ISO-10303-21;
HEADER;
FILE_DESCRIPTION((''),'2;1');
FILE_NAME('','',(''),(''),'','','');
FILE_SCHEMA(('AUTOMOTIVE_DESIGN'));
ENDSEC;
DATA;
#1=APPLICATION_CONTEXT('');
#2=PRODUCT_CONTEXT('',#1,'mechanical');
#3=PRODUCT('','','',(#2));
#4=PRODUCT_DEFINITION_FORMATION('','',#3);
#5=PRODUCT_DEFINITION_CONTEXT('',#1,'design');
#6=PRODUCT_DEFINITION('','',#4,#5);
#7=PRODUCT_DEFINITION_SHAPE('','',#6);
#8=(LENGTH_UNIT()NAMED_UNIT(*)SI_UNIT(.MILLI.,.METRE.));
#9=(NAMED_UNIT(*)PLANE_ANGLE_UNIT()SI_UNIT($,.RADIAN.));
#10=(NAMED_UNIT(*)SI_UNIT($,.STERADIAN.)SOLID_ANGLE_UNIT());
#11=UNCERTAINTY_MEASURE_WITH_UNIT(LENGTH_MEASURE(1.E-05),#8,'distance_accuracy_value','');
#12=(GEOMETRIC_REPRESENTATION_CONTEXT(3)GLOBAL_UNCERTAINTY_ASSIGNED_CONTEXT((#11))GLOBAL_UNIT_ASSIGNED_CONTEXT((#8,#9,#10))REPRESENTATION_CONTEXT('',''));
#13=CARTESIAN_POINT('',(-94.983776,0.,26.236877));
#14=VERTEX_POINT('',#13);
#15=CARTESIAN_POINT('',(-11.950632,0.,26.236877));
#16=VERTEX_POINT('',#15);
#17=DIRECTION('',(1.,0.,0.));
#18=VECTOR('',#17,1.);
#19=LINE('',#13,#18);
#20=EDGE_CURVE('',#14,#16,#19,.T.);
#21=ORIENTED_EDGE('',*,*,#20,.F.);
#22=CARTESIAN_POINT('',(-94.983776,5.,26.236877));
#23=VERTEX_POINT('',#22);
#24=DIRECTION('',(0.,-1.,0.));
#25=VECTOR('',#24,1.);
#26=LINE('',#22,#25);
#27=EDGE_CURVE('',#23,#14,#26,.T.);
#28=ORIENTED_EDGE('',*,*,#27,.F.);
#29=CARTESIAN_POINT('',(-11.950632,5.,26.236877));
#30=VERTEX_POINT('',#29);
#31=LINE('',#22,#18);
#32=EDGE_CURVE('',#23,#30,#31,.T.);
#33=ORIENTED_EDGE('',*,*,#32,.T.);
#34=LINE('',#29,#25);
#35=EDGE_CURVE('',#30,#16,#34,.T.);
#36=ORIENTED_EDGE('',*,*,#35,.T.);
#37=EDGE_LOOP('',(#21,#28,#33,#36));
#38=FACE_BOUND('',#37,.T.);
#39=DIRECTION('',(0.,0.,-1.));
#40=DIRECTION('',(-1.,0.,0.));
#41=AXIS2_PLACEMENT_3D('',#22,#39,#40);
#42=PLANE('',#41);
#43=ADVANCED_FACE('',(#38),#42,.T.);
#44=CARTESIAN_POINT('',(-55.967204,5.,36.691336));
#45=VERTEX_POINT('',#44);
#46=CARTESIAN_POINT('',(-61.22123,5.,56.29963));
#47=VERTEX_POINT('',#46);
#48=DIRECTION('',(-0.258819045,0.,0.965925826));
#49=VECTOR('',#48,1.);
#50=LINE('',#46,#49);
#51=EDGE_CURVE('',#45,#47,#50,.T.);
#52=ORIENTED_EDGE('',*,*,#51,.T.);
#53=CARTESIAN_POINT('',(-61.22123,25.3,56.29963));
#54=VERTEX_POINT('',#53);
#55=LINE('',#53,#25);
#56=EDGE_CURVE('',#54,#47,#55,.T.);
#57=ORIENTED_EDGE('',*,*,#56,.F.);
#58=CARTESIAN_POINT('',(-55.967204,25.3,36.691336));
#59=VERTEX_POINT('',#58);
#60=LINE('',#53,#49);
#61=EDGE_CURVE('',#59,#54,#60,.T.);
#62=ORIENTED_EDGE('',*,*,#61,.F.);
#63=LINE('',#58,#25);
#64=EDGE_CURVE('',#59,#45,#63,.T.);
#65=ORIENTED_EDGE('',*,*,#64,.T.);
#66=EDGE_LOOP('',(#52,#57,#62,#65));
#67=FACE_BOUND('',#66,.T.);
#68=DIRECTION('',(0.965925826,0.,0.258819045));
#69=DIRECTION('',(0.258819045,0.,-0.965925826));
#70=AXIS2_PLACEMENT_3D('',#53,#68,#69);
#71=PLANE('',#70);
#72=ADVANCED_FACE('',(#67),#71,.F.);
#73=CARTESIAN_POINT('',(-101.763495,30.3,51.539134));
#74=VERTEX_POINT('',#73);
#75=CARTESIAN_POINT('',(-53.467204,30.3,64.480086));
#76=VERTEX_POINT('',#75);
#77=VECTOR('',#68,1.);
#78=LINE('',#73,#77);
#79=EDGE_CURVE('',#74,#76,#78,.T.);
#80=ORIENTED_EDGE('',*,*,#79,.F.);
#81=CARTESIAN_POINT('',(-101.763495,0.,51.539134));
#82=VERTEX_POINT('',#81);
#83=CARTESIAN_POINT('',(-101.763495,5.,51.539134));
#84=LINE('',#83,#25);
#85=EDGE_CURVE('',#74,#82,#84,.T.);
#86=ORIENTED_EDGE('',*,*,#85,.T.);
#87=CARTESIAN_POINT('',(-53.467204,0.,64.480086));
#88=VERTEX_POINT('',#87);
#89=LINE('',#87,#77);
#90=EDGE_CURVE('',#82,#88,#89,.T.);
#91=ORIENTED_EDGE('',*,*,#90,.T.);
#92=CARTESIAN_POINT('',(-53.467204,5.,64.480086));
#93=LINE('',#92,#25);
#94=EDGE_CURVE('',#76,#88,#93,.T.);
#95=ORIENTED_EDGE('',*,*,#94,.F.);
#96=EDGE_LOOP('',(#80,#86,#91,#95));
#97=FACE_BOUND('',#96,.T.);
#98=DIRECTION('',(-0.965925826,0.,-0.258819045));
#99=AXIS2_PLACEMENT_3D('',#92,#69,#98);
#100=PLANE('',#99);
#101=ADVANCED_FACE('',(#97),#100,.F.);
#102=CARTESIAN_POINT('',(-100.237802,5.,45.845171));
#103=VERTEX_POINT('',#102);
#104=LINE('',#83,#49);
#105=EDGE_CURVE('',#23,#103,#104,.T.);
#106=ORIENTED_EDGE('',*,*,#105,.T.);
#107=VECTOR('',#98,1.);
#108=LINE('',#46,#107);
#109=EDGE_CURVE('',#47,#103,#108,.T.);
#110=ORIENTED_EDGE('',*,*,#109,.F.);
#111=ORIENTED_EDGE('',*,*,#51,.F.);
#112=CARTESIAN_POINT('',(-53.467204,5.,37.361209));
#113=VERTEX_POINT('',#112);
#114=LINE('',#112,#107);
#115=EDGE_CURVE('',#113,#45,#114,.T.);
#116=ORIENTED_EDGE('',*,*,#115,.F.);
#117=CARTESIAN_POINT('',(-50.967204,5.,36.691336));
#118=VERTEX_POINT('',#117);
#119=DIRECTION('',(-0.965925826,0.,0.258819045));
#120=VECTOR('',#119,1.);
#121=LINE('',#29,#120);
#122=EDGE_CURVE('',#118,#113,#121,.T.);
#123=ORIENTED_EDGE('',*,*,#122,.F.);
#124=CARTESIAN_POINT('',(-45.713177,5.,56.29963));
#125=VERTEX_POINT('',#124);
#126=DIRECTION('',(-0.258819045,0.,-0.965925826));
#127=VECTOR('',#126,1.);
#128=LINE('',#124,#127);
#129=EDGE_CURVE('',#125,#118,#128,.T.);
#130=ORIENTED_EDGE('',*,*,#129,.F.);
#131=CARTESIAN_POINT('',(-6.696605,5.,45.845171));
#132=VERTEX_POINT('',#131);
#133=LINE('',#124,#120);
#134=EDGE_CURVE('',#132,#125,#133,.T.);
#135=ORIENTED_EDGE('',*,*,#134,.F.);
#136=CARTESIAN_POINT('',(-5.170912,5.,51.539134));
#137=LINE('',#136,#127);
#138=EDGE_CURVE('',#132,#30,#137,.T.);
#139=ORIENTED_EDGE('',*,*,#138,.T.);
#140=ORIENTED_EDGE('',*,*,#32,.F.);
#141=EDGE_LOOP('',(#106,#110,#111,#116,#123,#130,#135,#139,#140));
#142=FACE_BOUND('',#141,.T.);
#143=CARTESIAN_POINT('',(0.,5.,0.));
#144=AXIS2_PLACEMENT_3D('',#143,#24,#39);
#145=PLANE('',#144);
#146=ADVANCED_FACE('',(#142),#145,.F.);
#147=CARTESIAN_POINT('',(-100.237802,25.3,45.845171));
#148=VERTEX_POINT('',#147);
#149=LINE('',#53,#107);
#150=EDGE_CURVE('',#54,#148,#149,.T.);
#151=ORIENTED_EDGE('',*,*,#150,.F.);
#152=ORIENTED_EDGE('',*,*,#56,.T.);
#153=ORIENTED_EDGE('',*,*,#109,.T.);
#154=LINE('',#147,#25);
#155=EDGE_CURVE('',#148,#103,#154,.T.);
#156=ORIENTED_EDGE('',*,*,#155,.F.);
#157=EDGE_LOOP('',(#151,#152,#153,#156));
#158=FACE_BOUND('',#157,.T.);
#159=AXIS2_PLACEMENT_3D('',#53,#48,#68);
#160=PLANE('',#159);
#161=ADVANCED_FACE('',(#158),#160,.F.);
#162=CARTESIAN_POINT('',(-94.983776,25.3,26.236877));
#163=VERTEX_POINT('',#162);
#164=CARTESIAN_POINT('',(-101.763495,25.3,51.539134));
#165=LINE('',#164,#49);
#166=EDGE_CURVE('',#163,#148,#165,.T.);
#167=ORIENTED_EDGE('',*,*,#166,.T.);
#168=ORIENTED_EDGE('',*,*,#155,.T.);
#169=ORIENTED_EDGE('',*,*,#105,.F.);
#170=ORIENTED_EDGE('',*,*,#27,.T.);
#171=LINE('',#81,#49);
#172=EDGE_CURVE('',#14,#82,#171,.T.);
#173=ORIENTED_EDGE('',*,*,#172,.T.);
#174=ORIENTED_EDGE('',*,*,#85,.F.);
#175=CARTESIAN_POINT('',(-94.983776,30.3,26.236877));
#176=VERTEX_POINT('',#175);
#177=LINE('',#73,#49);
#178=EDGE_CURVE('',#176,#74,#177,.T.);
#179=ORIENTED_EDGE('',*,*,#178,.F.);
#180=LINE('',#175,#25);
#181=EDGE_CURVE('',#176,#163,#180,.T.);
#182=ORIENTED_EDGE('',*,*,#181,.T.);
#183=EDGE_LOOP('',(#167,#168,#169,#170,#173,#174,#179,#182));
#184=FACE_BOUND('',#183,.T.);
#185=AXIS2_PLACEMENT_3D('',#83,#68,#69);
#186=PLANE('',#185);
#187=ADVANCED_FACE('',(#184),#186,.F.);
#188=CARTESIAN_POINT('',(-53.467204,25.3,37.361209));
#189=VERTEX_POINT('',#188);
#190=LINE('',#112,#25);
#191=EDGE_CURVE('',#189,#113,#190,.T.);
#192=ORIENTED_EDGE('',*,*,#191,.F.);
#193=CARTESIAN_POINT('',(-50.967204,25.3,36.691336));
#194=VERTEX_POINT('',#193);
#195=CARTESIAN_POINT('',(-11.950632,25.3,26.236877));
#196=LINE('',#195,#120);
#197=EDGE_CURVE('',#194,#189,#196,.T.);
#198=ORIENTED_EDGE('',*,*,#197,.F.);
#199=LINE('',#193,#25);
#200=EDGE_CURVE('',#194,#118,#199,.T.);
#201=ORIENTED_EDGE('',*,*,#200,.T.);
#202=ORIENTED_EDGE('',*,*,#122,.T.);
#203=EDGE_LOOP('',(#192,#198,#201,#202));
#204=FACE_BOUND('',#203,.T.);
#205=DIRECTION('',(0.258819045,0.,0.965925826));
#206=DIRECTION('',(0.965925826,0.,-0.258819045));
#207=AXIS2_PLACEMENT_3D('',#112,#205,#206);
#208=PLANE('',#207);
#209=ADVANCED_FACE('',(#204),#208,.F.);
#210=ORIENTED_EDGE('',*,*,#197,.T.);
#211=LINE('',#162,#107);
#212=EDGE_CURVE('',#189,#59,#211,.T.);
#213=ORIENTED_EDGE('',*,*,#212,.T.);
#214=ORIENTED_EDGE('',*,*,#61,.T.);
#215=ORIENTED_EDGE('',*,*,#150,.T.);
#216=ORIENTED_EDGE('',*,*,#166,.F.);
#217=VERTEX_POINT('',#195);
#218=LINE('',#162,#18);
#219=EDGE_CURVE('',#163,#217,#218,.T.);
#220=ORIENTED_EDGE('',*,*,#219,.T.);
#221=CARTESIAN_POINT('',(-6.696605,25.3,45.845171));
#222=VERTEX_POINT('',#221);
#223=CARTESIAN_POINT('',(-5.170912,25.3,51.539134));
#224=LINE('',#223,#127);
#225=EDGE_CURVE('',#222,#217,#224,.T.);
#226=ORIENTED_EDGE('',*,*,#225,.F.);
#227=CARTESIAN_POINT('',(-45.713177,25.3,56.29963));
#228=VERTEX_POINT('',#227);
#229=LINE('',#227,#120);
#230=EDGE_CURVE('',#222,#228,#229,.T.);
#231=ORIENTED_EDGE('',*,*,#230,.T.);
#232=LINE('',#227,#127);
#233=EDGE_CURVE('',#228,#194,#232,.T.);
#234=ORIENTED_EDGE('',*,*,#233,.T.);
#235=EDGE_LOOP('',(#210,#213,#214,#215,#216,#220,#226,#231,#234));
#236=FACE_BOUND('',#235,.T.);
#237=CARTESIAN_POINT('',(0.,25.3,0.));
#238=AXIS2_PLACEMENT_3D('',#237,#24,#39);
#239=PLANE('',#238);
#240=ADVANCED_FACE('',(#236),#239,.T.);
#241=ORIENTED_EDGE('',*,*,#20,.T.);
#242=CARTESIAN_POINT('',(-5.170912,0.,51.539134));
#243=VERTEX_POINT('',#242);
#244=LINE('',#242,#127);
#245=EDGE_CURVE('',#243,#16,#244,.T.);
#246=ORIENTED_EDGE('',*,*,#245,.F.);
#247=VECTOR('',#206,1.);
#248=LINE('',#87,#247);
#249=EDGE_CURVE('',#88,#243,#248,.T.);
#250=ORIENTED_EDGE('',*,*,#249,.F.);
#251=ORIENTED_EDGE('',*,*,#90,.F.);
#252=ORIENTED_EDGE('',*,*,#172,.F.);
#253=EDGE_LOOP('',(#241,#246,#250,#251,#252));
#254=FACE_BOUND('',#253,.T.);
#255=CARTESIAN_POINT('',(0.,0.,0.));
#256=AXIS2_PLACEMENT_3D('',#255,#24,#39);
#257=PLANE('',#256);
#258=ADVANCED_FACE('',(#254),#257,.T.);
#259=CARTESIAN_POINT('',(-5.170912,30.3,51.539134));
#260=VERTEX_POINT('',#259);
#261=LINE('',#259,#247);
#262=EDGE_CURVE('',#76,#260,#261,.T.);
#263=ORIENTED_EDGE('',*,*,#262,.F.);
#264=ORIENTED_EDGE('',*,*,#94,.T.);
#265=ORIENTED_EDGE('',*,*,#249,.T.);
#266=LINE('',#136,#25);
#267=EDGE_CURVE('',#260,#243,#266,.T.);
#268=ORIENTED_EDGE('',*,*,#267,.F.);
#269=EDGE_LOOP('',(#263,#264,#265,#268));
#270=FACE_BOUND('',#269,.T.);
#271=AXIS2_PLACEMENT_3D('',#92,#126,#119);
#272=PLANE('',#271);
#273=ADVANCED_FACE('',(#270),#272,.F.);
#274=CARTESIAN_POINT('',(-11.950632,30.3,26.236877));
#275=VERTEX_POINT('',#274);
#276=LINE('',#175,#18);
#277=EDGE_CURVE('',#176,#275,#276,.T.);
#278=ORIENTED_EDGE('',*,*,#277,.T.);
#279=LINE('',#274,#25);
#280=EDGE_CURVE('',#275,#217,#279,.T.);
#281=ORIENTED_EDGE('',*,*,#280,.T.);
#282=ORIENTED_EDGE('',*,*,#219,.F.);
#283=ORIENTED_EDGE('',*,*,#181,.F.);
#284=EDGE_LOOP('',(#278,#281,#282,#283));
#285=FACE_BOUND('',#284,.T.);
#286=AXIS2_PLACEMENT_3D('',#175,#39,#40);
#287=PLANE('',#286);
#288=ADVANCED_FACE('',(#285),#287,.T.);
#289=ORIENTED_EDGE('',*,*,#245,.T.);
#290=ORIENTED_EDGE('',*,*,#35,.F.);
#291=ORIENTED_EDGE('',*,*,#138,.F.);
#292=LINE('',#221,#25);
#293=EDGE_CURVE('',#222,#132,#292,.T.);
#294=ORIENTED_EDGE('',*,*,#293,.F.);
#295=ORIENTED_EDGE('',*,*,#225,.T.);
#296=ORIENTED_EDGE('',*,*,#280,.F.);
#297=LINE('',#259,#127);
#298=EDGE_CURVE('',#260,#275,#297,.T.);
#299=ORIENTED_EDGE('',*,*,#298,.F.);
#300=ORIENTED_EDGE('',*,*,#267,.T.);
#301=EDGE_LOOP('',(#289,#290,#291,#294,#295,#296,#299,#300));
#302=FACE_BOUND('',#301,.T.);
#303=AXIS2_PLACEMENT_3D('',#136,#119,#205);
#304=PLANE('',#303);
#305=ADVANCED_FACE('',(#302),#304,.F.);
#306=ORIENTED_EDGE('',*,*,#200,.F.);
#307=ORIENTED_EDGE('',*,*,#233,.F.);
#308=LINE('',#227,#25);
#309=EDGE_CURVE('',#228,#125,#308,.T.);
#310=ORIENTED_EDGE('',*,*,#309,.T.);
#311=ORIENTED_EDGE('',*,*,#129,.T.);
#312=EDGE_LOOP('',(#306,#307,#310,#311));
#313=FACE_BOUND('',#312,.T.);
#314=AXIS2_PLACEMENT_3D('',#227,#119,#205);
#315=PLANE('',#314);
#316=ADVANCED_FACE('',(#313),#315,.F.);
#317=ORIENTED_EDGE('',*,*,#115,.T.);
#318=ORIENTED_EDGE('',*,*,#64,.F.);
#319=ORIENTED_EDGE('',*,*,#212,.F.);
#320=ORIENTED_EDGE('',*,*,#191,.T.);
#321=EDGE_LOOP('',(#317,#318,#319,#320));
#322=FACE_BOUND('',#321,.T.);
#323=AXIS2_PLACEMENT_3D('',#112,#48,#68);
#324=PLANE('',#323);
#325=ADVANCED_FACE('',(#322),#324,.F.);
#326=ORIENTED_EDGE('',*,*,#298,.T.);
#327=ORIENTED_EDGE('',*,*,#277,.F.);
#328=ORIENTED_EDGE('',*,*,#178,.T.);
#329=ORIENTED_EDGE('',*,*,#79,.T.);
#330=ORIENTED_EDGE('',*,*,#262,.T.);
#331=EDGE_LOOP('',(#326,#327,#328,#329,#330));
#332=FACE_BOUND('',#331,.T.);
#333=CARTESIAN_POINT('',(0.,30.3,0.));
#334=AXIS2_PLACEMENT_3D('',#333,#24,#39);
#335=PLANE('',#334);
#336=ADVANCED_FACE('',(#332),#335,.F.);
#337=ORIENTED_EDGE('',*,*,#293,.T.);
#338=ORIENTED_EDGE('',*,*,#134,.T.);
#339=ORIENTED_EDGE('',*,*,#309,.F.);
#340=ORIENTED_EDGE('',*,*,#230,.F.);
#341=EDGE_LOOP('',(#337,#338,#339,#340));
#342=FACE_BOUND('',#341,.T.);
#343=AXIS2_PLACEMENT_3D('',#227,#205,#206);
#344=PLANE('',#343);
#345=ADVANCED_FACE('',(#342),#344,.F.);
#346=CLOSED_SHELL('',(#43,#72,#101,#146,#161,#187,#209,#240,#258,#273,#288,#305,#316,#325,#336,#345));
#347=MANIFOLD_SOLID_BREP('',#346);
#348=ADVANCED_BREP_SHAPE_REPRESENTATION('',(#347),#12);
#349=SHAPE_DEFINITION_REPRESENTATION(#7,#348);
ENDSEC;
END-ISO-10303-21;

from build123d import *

# Parameters (mm, degrees)
BOSS_EXTRUDE3_DEPTH  = 5
BOSS_EXTRUDE4_DEPTH  = 20.3
BOSS_EXTRUDE5_DEPTH  = 5
BOSS_EXTRUDE16_DEPTH = 5
BOSS_EXTRUDE17_DEPTH = 5


with BuildPart() as part:
    # Sketch4 → Boss-Extrude3 (new body)
    with BuildSketch(Plane(origin=(0, 0, 0), x_dir=(1, 0, 0), z_dir=(0, 1, 0))):
        Polygon((-53.467203663, -64.48008602), (-5.170912349, -51.539133765), (-11.950631556, -26.23687722), (-53.467203663, -37.361209189), (-94.98377577, -26.23687722), (-101.763494978, -51.539133765), align=None)
    extrude(amount=BOSS_EXTRUDE3_DEPTH)

    # Sketch5 → Boss-Extrude4 (add)
    with BuildSketch(Plane(origin=(0, 5, 0), x_dir=(1, 0, 0), z_dir=(0, 1, 0))):
        Polygon((-45.713177048, -56.299630481), (-6.696604941, -45.845171494), (-5.170912349, -51.539133765), (-53.467203663, -64.48008602), (-101.763494978, -51.539133765), (-100.237802385, -45.845171494), (-61.221230279, -56.299630481), (-55.967203663, -36.691336208), (-53.467203663, -37.361209189), (-50.967203663, -36.691336208), align=None)
    extrude(amount=BOSS_EXTRUDE4_DEPTH)

    # Sketch6 → Boss-Extrude5 (add)
    with BuildSketch(Plane(origin=(0, 25.3, 0), x_dir=(1, 0, 0), z_dir=(0, 1, 0))):
        Polygon((-5.170912349, -51.539133765), (-11.950631556, -26.23687722), (-53.467203663, -37.361209189), (-94.98377577, -26.23687722), (-101.763494978, -51.539133765), (-53.467203663, -64.48008602), align=None)
    extrude(amount=BOSS_EXTRUDE5_DEPTH)

    # Sketch20 → Boss-Extrude16 (add)
    with BuildSketch(Plane.XZ.offset(-25.3)):
        Polygon((-94.98377577, 26.23687722), (-11.950631556, 26.23687722), (-53.467203663, 37.361209189), align=None)
    extrude(amount=-BOSS_EXTRUDE16_DEPTH)

    # Sketch21 → Boss-Extrude17 (add)
    with BuildSketch(Plane.XZ):
        Polygon((-11.950631556, 26.23687722), (-53.467203663, 37.361209189), (-94.98377577, 26.23687722), align=None)
    extrude(amount=-BOSS_EXTRUDE17_DEPTH)


solid = part.part
